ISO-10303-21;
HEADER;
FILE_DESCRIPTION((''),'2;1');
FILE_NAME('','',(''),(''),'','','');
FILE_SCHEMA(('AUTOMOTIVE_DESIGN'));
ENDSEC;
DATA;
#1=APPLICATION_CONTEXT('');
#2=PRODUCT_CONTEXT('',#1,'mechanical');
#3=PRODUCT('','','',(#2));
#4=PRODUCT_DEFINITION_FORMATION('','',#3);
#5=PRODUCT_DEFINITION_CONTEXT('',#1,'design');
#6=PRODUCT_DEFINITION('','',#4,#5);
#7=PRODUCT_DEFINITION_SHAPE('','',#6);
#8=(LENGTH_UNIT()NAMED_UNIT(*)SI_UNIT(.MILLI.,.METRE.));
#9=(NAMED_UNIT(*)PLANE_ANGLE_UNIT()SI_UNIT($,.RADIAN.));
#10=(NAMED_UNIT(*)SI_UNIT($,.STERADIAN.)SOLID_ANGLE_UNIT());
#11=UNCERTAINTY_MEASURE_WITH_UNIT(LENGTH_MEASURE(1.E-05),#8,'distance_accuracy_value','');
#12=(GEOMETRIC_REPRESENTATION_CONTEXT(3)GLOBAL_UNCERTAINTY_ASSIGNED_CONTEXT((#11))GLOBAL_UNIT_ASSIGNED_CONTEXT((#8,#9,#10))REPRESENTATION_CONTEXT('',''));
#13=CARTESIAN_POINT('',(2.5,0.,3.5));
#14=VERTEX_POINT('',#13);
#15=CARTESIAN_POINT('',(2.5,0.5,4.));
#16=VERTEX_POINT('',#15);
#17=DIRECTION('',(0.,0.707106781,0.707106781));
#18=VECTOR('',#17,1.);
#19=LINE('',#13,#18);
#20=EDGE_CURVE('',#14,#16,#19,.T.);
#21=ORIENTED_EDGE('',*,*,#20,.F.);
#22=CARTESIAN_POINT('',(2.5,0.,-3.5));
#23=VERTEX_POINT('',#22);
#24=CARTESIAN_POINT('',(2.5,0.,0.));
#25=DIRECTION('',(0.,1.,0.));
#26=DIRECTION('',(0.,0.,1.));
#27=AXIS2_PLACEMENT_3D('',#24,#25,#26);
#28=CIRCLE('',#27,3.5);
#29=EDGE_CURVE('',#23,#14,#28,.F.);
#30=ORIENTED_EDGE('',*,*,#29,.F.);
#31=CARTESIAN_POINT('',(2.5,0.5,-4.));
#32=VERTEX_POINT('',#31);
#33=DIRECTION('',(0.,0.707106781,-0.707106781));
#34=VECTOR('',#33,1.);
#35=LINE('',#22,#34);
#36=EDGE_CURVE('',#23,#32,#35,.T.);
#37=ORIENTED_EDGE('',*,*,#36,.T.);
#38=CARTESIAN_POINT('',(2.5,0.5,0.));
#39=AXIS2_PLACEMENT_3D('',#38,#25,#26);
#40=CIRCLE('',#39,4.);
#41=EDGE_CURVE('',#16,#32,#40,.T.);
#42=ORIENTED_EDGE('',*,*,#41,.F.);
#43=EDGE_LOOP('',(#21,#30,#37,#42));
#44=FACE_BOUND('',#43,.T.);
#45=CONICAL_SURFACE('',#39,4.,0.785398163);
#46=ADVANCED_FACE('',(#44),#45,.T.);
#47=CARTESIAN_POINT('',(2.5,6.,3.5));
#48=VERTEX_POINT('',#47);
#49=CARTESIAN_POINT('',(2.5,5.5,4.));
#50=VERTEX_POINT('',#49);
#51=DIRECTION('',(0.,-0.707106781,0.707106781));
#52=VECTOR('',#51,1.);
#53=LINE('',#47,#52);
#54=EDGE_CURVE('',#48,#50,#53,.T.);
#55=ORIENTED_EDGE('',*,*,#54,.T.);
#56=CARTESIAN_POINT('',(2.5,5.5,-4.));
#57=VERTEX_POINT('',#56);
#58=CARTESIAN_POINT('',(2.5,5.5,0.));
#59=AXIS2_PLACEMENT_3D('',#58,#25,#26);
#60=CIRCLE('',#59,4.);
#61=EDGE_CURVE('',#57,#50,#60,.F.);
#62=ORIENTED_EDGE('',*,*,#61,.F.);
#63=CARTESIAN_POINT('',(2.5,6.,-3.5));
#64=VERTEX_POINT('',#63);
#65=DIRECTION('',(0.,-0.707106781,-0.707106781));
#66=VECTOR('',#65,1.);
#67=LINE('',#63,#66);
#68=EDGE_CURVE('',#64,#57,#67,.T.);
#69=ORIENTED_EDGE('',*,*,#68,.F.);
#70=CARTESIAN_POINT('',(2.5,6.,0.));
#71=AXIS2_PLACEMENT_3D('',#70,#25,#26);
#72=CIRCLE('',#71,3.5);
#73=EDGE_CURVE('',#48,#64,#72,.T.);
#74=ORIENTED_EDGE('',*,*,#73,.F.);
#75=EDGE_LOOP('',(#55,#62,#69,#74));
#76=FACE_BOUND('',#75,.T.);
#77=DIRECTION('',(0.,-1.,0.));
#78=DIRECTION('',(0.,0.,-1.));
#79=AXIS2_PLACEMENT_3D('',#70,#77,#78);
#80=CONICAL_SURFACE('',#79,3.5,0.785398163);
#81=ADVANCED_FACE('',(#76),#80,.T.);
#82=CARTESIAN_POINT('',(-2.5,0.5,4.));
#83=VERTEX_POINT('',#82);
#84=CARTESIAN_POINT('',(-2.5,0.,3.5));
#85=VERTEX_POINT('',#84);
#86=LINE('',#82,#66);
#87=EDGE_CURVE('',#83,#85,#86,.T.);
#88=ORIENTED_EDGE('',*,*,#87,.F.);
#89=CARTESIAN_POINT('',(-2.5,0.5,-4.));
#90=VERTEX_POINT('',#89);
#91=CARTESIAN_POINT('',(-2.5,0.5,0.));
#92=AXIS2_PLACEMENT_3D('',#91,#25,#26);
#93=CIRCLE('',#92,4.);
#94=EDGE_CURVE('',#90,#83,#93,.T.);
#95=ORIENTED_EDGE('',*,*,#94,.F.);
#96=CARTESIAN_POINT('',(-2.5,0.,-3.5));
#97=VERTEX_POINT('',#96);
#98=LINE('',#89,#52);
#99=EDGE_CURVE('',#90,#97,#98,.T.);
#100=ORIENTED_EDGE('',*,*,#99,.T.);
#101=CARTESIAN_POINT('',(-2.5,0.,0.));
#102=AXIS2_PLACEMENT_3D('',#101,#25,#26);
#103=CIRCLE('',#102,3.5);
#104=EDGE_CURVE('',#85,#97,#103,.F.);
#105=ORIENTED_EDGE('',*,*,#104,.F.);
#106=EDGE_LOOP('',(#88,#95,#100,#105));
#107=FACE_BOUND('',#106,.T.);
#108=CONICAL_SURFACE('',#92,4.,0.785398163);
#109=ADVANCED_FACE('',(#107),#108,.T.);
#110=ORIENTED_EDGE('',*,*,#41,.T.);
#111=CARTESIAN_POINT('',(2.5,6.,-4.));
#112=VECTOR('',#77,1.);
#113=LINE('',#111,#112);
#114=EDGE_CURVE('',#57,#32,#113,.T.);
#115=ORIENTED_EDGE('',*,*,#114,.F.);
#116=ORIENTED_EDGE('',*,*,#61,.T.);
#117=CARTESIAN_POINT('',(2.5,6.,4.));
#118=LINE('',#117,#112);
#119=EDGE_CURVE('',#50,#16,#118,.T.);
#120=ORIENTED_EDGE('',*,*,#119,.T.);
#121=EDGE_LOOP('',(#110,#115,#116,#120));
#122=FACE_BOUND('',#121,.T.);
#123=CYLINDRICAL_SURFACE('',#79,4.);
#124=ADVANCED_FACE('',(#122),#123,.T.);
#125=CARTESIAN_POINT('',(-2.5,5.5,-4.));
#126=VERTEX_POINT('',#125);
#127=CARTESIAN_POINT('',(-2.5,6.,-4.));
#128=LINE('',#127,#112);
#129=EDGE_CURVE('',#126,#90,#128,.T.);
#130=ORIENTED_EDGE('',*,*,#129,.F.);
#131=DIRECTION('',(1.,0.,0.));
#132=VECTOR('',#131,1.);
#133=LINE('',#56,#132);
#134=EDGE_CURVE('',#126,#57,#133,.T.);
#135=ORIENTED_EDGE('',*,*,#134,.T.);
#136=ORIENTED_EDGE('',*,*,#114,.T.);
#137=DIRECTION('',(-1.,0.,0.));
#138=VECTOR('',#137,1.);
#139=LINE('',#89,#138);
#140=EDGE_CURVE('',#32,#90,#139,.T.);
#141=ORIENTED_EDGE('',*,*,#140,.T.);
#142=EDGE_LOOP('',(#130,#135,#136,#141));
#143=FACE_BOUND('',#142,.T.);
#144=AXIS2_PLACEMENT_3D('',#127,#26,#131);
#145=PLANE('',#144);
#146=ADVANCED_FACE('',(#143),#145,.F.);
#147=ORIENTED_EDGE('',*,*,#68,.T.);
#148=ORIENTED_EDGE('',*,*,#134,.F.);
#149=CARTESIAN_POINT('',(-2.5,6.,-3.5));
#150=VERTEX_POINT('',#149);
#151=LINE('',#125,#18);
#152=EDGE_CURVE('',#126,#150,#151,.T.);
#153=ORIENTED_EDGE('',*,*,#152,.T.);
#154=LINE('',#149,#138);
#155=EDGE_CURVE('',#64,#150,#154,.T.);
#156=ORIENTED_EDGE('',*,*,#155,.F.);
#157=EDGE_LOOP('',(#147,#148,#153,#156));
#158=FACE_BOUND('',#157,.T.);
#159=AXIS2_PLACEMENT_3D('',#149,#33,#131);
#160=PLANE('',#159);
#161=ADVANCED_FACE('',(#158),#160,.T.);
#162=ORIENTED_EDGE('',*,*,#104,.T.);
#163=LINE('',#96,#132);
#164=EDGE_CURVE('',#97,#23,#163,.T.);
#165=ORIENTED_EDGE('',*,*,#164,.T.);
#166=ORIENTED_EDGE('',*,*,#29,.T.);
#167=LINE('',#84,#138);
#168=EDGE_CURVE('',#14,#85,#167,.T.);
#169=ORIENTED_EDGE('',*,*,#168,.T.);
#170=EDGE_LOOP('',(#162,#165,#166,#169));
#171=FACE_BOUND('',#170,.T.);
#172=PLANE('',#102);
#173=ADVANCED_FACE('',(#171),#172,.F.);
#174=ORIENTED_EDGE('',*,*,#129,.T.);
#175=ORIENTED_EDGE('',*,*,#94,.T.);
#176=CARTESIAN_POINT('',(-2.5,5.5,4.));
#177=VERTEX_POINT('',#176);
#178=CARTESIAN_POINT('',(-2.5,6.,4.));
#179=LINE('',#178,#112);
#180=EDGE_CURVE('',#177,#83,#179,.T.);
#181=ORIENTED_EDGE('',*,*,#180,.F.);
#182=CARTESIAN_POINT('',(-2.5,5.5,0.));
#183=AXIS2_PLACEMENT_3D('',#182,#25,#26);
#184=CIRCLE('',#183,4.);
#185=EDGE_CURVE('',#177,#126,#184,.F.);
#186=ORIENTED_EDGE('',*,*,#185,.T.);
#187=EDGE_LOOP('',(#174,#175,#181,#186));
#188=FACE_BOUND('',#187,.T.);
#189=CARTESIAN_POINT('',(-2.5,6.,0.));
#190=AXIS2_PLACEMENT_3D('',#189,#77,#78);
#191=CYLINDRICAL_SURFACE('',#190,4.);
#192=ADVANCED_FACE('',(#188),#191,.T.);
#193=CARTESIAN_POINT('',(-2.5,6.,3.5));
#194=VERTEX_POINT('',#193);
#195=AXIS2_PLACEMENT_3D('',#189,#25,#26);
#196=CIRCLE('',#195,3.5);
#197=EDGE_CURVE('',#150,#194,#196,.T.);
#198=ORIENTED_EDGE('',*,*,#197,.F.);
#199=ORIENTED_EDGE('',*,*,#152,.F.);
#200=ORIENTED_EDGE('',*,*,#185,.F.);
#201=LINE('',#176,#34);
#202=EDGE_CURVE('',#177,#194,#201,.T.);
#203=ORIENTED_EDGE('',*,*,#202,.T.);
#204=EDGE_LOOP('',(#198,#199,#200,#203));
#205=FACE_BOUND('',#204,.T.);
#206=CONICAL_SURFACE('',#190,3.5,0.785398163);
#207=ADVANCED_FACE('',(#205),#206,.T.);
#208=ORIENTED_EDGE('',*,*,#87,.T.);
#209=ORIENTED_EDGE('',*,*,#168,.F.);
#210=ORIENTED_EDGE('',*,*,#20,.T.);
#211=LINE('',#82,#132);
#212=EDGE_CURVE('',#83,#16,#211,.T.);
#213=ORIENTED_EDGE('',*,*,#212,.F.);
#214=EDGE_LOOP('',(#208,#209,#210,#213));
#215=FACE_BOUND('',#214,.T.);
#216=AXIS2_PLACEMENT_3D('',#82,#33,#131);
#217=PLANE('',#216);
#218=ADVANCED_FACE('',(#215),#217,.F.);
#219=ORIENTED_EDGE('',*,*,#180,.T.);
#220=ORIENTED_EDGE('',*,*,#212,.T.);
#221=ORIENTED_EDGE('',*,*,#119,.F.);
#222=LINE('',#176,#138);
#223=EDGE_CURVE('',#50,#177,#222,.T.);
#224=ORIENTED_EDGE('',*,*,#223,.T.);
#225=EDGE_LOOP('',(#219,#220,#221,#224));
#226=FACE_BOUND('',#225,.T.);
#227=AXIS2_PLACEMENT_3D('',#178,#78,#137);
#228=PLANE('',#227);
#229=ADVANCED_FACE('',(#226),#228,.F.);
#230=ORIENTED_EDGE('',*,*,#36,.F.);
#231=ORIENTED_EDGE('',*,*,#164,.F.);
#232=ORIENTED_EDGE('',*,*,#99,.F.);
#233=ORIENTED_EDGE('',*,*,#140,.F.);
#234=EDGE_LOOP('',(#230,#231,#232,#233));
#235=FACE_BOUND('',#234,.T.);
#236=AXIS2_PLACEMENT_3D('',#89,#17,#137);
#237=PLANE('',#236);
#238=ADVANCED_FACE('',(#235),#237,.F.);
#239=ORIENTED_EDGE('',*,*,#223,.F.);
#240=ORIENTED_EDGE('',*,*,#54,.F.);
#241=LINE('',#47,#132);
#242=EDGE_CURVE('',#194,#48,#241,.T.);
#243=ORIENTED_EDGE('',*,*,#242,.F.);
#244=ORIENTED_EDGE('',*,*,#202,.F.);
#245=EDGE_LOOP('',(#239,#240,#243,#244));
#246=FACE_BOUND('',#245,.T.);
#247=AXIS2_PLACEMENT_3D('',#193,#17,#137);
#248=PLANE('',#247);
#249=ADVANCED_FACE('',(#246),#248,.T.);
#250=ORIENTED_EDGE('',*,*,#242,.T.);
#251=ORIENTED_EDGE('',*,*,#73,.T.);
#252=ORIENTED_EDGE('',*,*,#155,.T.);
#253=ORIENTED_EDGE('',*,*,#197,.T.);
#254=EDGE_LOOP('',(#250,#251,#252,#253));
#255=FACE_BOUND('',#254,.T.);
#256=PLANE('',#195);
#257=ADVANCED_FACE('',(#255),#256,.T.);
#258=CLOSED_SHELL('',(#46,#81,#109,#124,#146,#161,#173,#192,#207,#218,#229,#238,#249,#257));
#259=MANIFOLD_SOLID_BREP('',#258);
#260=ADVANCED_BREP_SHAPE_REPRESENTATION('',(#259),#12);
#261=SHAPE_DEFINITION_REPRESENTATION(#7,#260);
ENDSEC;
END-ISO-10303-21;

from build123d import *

# Parameters (mm, degrees)
ESTRUSIONE_ESTRUSIONE1_DEPTH = 6
SMUSSO1_SIZE                 = 0.5


with BuildPart() as part:
    # Schizzo1 → Estrusione-Estrusione1 (new body)
    with BuildSketch(Plane(origin=(0, 0, 0), x_dir=(1, 0, 0), z_dir=(0, 1, 0))):
        with BuildLine():
            Line((-2.5, 4), (2.5, 4))
            ThreePointArc((2.5, 4), (6.5, 0), (2.5, -4))
            Line((2.5, -4), (-2.5, -4))
            ThreePointArc((-2.5, -4), (-6.5, 0), (-2.5, 4))
        make_face()
    extrude(amount=ESTRUSIONE_ESTRUSIONE1_DEPTH)

    # Smusso1
    smusso1_edges = [part.edges().sort_by_distance(p)[0] for p in [
        (6.5, 6, 0),
        (0, 6, -4),
        (-6.5, 6, 0),
        (0, 0, -4),
        (6.5, 0, 0),
        (0, 0, 4),
        (-6.5, 0, 0),
        (0, 6, 4),
    ]]
    chamfer(smusso1_edges, length=SMUSSO1_SIZE)


solid = part.part
